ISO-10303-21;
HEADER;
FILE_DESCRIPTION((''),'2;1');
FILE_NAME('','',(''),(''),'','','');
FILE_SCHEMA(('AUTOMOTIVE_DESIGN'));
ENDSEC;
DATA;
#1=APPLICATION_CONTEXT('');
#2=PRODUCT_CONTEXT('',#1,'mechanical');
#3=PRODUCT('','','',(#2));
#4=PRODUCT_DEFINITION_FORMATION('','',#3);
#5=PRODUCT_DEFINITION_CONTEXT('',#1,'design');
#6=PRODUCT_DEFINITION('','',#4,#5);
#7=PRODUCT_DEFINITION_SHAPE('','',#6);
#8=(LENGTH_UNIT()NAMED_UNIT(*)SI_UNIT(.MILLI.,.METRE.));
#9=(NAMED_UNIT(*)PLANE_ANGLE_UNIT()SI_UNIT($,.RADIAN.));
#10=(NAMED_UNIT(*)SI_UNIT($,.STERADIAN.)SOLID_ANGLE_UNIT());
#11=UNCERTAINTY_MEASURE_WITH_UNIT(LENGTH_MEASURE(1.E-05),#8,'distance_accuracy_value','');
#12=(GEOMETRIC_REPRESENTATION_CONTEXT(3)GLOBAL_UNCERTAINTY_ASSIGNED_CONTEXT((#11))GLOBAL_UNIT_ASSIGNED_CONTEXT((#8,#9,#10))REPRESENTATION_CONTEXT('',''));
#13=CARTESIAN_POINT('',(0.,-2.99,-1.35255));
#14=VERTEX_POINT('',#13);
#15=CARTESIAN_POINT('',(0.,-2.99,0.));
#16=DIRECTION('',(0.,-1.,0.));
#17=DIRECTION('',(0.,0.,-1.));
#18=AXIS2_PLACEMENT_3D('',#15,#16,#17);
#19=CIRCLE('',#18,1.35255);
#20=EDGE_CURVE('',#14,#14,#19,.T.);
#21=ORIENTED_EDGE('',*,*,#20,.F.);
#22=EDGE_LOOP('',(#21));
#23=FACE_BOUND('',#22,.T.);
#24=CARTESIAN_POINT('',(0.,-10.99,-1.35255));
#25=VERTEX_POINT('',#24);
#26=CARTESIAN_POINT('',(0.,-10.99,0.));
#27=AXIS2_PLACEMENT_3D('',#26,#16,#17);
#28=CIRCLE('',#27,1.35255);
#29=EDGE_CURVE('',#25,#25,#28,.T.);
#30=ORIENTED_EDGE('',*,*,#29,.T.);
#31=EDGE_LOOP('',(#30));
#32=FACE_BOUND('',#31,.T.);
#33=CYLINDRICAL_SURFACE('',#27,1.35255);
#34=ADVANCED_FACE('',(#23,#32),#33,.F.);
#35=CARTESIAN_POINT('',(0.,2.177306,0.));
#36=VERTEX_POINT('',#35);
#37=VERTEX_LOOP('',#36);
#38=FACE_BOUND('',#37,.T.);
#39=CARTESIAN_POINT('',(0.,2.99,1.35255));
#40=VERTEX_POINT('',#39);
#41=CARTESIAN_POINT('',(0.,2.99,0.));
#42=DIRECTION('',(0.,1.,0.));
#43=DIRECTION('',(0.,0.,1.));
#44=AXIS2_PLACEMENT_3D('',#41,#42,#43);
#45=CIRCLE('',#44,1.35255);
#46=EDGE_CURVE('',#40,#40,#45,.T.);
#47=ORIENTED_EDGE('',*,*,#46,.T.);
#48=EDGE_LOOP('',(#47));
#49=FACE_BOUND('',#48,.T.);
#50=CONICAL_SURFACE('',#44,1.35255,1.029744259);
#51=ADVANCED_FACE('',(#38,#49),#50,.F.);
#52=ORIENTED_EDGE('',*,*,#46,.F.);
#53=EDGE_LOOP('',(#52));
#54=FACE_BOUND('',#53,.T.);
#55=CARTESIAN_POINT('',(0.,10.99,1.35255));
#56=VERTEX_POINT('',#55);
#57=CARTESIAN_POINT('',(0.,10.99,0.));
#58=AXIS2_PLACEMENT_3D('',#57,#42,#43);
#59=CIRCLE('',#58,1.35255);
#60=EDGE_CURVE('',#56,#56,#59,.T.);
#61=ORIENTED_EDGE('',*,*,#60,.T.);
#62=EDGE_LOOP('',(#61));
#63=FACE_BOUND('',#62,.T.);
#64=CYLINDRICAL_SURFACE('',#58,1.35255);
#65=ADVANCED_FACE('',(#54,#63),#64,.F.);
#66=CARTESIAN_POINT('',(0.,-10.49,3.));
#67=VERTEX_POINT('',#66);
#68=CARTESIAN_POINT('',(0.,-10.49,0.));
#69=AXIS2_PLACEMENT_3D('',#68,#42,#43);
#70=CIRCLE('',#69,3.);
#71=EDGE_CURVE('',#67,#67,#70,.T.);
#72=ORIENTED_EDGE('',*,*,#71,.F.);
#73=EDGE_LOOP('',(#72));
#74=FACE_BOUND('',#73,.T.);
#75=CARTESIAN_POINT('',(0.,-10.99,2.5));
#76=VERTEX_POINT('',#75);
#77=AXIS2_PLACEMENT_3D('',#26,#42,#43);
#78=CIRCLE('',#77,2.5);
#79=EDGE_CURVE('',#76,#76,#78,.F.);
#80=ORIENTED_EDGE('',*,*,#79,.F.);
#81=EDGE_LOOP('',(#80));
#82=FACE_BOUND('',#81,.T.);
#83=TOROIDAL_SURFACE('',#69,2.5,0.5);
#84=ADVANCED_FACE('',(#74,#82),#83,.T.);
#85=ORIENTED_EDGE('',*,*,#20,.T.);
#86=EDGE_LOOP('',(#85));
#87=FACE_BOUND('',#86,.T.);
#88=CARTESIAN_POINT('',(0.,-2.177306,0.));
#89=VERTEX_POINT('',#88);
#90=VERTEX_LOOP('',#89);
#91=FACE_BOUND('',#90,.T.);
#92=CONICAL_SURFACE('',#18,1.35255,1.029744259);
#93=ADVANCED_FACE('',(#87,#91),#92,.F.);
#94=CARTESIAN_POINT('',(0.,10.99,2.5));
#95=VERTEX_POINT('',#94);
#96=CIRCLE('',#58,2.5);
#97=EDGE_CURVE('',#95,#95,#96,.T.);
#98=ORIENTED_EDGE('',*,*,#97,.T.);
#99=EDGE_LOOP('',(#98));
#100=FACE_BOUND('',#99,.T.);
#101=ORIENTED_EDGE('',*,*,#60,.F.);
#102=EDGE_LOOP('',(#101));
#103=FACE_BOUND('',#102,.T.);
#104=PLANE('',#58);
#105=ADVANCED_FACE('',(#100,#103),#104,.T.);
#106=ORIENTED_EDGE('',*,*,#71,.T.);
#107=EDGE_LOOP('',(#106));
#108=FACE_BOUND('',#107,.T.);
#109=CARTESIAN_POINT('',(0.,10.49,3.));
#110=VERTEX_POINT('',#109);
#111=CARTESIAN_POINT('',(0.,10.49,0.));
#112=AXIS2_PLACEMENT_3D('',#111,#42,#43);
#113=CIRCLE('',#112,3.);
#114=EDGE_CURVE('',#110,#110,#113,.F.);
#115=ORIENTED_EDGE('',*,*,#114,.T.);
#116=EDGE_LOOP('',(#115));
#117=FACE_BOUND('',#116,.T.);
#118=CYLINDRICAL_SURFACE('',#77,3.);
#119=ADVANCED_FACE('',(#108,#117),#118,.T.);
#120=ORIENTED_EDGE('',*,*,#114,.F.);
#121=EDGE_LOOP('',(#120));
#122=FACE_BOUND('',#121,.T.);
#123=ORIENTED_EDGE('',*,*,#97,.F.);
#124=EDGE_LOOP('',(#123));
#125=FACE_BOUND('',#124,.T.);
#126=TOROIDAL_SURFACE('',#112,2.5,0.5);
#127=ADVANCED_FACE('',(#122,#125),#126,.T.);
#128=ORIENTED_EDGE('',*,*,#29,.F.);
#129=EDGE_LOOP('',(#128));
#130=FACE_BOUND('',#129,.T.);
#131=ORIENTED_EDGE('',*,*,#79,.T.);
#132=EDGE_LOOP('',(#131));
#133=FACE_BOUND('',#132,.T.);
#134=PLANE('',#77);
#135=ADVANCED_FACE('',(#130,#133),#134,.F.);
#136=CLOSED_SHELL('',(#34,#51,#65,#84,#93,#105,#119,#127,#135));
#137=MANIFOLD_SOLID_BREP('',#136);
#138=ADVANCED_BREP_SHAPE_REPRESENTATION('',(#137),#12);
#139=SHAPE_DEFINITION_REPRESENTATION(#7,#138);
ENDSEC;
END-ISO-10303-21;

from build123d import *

# Parameters (mm, degrees)
BOSS_EXTRUDE1_DEPTH      = 10.99
BOSS_EXTRUDE1_DEPTH_BACK = 10.99
SKETCH1_R                = 3
FILLET1_R                = 0.5


with BuildPart() as part:
    # Sketch1 → Boss-Extrude1 (new, two sides: drawn at the far end of the back side and taken through both)
    with BuildSketch(Plane(origin=(0, 0, 0), x_dir=(1, 0, 0), z_dir=(0, 1, 0)).offset(-BOSS_EXTRUDE1_DEPTH_BACK)):
        Circle(SKETCH1_R)
    extrude(amount=BOSS_EXTRUDE1_DEPTH + BOSS_EXTRUDE1_DEPTH_BACK)

    # Sketch3 → #6-32 Tapped Hole1 (revolve, cut)
    with BuildSketch(Plane(origin=(0, 10.99, 0), x_dir=(0, 0, 1), z_dir=(1, 0, 0))):
        Polygon((0, 0), (0, 8.81269403), (1.35255, 8), (1.35255, 0), align=None)
    f_6_32_tapped_hole1 = revolve(axis=Axis((0, 17.34, 0), (0, -1, 0)), mode=Mode.SUBTRACT)

    # Fillet1
    fillet1_edges = [part.edges().sort_by_distance(p)[0] for p in [
        (-3, -10.99, 0),
        (-3, 10.99, 0),
    ]]
    fillet(fillet1_edges, radius=FILLET1_R)

    # Mirror1: #6-32 Tapped Hole1 across plane
    add(f_6_32_tapped_hole1.mirror(Plane.ZX), mode=Mode.SUBTRACT)


solid = part.part
